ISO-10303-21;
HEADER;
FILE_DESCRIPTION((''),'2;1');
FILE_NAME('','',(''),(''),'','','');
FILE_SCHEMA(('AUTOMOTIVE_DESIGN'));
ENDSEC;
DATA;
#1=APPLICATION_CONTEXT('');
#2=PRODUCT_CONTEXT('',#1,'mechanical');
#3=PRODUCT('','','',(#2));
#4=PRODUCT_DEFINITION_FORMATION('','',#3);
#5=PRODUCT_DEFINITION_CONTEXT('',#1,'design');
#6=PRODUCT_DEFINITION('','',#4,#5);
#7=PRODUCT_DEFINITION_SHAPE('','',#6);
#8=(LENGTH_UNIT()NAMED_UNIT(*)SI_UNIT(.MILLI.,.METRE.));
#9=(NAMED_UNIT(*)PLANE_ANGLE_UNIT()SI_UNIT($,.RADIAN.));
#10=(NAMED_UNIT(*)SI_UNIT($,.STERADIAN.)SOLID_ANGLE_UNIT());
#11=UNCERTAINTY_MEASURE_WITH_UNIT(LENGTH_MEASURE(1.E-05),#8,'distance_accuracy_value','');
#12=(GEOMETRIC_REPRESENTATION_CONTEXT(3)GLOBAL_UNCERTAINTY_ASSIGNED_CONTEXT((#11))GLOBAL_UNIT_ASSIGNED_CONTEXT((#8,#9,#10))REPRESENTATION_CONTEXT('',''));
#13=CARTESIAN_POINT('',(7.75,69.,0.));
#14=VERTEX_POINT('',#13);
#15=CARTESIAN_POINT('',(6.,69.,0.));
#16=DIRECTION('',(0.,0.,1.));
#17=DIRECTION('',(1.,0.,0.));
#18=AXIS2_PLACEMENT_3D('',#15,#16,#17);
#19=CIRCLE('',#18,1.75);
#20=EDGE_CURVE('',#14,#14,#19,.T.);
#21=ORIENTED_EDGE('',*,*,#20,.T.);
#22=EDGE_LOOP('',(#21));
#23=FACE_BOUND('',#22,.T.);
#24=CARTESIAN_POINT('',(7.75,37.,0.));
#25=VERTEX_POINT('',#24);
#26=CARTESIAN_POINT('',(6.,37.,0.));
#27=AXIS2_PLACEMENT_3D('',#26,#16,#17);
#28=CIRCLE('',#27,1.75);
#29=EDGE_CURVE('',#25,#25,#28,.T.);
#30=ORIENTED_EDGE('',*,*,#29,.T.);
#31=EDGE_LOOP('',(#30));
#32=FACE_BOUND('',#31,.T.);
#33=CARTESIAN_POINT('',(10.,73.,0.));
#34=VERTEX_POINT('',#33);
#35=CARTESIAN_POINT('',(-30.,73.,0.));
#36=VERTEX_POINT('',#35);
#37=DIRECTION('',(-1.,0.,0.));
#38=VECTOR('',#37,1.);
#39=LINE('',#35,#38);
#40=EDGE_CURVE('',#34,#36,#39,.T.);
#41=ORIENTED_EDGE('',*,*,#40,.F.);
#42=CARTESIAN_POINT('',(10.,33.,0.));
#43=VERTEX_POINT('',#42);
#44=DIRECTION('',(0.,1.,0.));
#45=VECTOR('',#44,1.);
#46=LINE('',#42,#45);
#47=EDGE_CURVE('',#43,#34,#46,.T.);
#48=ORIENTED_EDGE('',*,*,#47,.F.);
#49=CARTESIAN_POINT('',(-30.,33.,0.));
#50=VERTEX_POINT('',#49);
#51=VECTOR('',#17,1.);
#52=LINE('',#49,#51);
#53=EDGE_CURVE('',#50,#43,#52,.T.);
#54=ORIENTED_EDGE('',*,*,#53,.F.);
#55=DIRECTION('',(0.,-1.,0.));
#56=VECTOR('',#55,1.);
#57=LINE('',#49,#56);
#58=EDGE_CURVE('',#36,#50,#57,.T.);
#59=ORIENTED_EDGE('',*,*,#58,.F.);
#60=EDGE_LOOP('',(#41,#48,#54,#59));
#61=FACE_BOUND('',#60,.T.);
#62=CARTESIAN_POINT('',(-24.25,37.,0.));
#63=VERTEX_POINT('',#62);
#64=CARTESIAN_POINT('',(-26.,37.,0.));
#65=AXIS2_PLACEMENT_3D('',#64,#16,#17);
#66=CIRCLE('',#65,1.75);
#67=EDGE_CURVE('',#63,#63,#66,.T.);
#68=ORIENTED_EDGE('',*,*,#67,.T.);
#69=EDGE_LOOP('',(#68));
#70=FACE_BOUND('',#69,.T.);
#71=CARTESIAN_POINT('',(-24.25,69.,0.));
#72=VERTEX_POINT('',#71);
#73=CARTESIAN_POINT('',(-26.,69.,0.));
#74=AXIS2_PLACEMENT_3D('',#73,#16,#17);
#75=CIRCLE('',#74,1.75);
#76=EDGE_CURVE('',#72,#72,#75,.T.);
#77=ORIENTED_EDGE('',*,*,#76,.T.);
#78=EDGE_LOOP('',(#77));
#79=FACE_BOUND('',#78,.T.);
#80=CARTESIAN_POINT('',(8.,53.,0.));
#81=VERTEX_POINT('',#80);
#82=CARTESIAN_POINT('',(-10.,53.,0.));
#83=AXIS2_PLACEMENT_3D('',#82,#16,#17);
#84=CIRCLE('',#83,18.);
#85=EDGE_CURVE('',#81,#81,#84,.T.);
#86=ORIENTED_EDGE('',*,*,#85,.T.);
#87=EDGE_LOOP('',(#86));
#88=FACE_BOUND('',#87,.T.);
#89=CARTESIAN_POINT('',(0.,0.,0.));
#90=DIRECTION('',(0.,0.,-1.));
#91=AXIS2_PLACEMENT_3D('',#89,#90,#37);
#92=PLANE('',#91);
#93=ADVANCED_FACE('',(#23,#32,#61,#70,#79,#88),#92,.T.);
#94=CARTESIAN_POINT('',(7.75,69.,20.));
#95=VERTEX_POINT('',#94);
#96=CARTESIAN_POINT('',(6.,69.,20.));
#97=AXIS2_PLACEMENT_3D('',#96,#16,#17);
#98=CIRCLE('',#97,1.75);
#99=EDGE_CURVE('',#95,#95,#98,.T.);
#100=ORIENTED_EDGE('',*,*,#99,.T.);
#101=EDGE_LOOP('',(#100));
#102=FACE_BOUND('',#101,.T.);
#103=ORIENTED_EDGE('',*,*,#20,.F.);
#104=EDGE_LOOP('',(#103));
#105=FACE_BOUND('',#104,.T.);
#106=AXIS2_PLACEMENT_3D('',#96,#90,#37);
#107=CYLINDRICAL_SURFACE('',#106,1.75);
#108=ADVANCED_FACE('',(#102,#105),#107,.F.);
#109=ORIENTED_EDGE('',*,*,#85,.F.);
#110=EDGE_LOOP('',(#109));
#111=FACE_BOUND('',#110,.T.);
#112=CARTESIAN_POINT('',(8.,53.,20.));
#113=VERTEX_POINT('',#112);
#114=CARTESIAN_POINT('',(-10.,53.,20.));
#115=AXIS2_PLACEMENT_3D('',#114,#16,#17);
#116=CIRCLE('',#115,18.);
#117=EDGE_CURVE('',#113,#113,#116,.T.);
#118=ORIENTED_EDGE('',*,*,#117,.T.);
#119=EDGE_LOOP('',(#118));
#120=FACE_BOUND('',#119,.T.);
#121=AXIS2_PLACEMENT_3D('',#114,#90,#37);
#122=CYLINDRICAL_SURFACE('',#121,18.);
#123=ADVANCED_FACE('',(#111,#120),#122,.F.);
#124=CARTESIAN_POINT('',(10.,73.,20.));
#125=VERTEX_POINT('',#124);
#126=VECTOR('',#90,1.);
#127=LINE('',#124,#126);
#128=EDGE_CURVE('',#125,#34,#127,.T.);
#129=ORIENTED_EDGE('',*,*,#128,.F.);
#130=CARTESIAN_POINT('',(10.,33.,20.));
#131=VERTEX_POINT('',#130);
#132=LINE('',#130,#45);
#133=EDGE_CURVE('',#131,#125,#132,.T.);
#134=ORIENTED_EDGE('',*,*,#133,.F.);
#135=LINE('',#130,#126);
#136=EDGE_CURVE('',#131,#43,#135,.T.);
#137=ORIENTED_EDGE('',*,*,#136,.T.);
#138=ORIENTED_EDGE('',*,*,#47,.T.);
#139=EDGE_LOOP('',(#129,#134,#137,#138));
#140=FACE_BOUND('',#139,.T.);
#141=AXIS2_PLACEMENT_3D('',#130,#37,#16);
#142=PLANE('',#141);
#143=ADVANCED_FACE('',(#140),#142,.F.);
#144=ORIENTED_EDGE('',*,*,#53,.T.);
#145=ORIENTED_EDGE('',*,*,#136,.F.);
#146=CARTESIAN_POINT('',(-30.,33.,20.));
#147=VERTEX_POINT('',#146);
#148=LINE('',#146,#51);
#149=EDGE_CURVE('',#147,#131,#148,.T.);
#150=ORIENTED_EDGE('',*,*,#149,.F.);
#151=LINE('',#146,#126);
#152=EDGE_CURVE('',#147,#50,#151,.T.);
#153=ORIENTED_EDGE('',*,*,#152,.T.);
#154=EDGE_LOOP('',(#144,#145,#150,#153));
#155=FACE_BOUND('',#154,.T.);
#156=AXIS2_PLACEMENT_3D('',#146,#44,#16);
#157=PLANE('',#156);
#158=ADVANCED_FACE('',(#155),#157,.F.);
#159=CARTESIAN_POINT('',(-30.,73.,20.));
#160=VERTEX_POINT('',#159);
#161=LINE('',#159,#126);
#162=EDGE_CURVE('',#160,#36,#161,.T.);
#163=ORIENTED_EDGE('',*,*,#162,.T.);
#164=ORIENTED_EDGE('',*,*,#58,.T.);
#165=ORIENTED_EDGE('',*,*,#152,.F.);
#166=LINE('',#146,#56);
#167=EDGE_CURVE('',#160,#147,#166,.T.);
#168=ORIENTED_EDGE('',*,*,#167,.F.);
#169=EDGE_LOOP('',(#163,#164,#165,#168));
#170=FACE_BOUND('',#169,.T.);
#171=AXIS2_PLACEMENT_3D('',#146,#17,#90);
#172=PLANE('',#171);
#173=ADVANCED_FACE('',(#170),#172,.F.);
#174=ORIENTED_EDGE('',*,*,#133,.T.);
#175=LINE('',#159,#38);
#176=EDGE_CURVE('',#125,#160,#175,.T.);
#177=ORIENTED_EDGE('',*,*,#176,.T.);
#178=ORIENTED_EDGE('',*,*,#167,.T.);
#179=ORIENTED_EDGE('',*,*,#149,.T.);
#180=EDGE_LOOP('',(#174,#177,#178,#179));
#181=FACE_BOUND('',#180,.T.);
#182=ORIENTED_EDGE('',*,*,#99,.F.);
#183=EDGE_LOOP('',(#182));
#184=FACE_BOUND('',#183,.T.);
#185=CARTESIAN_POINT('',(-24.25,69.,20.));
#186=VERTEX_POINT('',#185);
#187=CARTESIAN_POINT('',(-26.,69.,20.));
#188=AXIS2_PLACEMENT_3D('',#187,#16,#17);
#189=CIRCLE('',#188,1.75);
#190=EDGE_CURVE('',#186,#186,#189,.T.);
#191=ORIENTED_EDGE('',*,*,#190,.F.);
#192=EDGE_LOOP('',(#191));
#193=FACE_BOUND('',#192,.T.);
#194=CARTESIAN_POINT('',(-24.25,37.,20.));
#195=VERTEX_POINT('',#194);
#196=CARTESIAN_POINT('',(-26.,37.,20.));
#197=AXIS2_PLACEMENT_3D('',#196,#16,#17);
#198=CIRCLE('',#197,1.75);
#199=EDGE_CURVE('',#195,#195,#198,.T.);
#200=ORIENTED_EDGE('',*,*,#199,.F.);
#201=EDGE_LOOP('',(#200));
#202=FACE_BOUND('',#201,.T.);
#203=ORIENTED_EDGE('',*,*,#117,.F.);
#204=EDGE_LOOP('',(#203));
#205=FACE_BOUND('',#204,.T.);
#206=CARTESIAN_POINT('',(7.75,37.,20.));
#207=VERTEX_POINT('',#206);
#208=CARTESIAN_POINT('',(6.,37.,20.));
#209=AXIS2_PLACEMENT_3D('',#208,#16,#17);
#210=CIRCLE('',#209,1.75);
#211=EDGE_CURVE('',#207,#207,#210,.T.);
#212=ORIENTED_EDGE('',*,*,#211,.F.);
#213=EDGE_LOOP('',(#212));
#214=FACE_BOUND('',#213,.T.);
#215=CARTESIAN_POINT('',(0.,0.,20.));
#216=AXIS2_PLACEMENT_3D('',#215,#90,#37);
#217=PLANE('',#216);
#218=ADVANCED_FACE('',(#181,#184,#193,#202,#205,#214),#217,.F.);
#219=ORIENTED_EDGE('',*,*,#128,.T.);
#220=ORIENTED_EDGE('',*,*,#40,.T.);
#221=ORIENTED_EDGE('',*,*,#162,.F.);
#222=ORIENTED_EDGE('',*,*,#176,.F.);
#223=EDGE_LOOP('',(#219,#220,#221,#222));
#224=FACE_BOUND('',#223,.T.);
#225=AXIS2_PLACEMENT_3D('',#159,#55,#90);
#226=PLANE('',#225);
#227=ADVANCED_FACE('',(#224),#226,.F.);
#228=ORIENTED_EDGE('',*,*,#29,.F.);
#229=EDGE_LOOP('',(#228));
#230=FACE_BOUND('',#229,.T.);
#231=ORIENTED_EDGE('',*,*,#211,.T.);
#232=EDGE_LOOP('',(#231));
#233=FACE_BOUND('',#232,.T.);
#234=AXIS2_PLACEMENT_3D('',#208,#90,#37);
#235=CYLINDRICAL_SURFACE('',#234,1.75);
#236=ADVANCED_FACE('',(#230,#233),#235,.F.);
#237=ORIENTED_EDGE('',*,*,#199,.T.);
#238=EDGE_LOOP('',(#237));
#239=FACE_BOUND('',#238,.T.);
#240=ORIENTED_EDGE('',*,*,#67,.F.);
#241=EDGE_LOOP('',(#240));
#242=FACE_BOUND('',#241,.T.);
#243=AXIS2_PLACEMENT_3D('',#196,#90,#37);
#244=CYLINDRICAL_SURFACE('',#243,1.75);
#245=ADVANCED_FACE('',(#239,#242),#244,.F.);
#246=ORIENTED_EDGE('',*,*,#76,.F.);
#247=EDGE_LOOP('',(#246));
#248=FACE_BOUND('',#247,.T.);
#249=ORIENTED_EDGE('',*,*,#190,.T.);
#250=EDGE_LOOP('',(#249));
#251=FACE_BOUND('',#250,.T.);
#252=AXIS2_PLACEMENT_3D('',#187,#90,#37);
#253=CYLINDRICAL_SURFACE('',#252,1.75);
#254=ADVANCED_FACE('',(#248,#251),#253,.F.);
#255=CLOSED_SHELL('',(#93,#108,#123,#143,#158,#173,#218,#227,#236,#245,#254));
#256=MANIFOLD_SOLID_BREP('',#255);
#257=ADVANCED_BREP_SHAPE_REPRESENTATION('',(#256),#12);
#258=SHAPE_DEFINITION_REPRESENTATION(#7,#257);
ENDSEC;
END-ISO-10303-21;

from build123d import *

# Parameters (mm, degrees)
SKETCH_1_W                           = 40
SKETCH_1_H                           = 40
SKETCH_1_R                           = 18
SKETCH_1_R_2                         = 1.75
OFFICIAL_40X40X20_D3P5_PITCH32_DEPTH = 20


with BuildPart() as part:
    # 草图1 → OFFICIAL_40x40x20_D3p5_pitch32 (new body)
    with BuildSketch(Plane.XY):
        with Locations((-10, 53)):
            Rectangle(SKETCH_1_W, SKETCH_1_H)
        with Locations((-10, 53)):
            Circle(SKETCH_1_R, mode=Mode.SUBTRACT)
        with Locations((-26, 37)):
            Circle(SKETCH_1_R_2, mode=Mode.SUBTRACT)
        with Locations((-26, 69)):
            Circle(SKETCH_1_R_2, mode=Mode.SUBTRACT)
        with Locations((6, 37)):
            Circle(SKETCH_1_R_2, mode=Mode.SUBTRACT)
        with Locations((6, 69)):
            Circle(SKETCH_1_R_2, mode=Mode.SUBTRACT)
    extrude(amount=OFFICIAL_40X40X20_D3P5_PITCH32_DEPTH)


solid = part.part
